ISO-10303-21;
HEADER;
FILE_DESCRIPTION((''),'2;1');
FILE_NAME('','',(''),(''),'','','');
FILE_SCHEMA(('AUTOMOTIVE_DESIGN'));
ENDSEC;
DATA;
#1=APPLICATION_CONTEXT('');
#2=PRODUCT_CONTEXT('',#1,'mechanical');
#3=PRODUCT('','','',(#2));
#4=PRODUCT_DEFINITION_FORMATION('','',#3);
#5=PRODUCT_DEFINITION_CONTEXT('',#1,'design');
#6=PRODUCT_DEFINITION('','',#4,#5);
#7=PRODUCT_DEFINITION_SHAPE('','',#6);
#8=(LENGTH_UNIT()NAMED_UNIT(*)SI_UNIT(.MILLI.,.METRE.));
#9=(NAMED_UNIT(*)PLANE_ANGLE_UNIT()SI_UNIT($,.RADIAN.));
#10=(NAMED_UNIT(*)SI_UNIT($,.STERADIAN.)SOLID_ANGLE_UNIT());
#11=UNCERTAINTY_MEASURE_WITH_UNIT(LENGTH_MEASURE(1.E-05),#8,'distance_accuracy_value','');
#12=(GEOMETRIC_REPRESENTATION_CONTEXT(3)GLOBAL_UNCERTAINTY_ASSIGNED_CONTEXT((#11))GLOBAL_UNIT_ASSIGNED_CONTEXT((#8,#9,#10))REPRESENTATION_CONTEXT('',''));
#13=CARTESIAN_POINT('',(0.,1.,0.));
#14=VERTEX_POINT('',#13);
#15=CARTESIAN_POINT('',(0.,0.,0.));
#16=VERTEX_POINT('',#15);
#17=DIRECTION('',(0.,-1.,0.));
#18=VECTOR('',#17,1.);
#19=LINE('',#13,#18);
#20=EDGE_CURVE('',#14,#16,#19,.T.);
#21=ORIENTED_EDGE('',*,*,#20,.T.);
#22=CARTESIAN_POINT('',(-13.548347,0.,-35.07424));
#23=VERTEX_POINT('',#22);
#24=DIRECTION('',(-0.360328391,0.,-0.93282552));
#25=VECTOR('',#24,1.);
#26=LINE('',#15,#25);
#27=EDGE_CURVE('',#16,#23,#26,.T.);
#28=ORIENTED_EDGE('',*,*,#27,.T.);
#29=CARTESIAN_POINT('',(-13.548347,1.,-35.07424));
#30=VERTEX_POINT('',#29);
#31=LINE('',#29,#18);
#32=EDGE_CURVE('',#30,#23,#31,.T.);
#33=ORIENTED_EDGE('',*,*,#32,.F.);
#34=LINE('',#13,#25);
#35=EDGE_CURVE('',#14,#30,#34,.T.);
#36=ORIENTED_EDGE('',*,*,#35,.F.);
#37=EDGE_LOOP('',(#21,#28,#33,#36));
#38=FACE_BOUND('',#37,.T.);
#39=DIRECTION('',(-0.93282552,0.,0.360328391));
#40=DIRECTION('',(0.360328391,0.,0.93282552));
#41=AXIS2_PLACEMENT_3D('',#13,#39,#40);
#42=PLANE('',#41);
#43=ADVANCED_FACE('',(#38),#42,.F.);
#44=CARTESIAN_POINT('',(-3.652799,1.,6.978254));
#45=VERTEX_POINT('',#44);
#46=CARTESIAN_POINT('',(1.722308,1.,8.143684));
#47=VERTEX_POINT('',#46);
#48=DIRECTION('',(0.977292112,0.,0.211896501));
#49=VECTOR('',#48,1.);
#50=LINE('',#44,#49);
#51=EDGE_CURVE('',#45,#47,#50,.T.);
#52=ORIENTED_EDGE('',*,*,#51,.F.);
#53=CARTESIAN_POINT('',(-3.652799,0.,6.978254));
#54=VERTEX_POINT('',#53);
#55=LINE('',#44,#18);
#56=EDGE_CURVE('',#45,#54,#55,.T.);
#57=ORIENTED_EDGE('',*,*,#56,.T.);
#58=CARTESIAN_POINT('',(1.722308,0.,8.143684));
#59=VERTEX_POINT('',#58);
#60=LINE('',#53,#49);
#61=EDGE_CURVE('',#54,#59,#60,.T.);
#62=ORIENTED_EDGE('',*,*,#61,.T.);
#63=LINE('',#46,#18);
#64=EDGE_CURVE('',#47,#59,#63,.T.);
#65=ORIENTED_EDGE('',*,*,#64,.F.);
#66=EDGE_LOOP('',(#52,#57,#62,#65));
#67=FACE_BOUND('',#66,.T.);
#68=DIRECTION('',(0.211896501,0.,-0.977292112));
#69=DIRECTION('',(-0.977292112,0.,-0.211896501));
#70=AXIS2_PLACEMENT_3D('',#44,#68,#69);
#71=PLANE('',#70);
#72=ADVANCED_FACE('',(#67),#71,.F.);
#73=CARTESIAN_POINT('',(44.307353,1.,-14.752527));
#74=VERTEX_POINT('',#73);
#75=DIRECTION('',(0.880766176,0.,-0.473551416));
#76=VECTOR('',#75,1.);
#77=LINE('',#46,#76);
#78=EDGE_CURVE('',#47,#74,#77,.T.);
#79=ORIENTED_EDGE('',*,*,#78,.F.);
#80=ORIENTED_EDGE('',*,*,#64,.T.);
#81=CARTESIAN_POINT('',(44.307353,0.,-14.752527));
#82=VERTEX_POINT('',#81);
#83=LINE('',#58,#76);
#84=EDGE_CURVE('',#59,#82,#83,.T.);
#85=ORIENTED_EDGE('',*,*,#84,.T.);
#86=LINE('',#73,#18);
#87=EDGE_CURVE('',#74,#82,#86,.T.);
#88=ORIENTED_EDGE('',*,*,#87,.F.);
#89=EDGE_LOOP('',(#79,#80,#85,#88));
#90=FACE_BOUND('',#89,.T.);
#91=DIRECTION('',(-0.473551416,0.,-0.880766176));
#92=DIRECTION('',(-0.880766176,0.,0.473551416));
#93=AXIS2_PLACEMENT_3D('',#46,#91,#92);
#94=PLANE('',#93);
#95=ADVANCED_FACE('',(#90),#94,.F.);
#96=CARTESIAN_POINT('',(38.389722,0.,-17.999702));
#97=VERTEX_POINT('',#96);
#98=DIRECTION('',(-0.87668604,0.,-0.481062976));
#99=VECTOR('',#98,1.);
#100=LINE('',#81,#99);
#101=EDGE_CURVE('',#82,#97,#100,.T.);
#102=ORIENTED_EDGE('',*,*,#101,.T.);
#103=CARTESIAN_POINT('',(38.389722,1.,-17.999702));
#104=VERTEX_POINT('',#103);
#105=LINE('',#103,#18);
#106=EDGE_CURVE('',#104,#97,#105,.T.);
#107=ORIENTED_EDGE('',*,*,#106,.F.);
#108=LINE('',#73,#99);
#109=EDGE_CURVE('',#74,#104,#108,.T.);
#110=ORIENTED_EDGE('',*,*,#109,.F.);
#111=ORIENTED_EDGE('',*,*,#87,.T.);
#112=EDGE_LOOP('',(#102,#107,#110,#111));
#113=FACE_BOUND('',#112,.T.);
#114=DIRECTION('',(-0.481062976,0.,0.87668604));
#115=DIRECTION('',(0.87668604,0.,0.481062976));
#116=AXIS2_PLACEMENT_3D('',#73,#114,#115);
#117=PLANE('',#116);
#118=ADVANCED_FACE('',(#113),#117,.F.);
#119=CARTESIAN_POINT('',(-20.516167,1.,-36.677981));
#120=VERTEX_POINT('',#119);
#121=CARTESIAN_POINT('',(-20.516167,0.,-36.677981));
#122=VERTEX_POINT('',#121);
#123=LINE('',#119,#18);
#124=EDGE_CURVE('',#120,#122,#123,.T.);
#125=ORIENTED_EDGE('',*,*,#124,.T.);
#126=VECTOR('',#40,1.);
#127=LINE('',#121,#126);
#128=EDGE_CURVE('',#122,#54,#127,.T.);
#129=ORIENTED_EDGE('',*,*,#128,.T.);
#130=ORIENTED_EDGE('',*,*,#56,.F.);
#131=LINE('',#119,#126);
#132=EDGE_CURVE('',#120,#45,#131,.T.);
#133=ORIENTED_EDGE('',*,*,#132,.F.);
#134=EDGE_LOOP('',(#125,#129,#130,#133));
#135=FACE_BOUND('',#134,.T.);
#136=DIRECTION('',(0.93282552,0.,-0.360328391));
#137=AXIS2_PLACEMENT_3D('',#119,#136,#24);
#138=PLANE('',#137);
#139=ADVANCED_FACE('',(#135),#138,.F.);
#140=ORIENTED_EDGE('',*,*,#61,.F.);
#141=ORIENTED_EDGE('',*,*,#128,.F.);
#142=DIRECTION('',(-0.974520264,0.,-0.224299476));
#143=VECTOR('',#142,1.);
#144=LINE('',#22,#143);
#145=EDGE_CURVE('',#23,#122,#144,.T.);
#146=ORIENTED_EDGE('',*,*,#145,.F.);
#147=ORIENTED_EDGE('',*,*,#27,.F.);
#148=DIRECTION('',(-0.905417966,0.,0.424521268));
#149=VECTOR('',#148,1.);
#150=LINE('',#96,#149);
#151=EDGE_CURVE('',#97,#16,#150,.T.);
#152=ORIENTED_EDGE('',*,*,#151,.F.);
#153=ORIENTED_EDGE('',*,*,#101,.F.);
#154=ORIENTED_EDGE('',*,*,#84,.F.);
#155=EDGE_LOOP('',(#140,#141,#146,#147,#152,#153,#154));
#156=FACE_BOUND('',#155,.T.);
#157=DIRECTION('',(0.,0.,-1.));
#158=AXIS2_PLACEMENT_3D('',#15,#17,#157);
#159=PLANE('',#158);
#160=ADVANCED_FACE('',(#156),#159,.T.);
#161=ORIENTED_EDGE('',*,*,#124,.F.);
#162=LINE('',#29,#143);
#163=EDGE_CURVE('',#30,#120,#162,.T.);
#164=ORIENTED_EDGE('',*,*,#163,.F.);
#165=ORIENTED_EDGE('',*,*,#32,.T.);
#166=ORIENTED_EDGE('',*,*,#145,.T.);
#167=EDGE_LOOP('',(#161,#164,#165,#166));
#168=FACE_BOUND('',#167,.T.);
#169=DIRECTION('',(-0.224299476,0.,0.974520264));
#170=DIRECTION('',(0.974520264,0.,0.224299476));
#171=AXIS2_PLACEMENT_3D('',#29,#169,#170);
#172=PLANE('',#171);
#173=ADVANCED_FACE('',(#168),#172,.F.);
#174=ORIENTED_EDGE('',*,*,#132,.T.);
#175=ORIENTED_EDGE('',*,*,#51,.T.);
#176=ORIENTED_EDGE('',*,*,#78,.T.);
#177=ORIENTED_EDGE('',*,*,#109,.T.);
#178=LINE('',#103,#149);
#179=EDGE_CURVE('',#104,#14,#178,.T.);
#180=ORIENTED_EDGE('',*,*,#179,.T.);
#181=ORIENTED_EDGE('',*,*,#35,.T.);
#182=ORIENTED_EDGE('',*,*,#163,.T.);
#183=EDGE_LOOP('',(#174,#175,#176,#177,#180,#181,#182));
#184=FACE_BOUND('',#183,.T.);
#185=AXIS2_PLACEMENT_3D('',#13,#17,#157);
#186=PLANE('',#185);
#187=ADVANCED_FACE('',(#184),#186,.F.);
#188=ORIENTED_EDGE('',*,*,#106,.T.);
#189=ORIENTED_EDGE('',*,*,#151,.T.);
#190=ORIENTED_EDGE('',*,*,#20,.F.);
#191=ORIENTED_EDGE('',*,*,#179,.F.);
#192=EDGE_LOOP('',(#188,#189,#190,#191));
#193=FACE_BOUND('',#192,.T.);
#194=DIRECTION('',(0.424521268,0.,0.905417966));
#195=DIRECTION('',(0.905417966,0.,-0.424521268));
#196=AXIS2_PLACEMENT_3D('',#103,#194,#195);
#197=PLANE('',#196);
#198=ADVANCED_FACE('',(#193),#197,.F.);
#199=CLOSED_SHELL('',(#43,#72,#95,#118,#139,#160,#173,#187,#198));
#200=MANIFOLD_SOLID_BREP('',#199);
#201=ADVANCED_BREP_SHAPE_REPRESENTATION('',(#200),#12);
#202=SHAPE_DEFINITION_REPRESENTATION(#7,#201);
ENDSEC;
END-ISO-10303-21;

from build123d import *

# Parameters (mm, degrees)
BOSS_EXTRUDE1_DEPTH = 1


with BuildPart() as part:
    # Sketch1 → Boss-Extrude1 (new body)
    with BuildSketch(Plane(origin=(0, 0, 0), x_dir=(1, 0, 0), z_dir=(0, 1, 0))):
        Polygon((0, 0), (-13.548347494, 35.074239552), (-20.516167381, 36.677980809), (-3.652798692, -6.978253527), (1.722307926, -8.143684282), (44.307352531, 14.752526671), (38.389721758, 17.999701757), align=None)
    extrude(amount=BOSS_EXTRUDE1_DEPTH)


solid = part.part
